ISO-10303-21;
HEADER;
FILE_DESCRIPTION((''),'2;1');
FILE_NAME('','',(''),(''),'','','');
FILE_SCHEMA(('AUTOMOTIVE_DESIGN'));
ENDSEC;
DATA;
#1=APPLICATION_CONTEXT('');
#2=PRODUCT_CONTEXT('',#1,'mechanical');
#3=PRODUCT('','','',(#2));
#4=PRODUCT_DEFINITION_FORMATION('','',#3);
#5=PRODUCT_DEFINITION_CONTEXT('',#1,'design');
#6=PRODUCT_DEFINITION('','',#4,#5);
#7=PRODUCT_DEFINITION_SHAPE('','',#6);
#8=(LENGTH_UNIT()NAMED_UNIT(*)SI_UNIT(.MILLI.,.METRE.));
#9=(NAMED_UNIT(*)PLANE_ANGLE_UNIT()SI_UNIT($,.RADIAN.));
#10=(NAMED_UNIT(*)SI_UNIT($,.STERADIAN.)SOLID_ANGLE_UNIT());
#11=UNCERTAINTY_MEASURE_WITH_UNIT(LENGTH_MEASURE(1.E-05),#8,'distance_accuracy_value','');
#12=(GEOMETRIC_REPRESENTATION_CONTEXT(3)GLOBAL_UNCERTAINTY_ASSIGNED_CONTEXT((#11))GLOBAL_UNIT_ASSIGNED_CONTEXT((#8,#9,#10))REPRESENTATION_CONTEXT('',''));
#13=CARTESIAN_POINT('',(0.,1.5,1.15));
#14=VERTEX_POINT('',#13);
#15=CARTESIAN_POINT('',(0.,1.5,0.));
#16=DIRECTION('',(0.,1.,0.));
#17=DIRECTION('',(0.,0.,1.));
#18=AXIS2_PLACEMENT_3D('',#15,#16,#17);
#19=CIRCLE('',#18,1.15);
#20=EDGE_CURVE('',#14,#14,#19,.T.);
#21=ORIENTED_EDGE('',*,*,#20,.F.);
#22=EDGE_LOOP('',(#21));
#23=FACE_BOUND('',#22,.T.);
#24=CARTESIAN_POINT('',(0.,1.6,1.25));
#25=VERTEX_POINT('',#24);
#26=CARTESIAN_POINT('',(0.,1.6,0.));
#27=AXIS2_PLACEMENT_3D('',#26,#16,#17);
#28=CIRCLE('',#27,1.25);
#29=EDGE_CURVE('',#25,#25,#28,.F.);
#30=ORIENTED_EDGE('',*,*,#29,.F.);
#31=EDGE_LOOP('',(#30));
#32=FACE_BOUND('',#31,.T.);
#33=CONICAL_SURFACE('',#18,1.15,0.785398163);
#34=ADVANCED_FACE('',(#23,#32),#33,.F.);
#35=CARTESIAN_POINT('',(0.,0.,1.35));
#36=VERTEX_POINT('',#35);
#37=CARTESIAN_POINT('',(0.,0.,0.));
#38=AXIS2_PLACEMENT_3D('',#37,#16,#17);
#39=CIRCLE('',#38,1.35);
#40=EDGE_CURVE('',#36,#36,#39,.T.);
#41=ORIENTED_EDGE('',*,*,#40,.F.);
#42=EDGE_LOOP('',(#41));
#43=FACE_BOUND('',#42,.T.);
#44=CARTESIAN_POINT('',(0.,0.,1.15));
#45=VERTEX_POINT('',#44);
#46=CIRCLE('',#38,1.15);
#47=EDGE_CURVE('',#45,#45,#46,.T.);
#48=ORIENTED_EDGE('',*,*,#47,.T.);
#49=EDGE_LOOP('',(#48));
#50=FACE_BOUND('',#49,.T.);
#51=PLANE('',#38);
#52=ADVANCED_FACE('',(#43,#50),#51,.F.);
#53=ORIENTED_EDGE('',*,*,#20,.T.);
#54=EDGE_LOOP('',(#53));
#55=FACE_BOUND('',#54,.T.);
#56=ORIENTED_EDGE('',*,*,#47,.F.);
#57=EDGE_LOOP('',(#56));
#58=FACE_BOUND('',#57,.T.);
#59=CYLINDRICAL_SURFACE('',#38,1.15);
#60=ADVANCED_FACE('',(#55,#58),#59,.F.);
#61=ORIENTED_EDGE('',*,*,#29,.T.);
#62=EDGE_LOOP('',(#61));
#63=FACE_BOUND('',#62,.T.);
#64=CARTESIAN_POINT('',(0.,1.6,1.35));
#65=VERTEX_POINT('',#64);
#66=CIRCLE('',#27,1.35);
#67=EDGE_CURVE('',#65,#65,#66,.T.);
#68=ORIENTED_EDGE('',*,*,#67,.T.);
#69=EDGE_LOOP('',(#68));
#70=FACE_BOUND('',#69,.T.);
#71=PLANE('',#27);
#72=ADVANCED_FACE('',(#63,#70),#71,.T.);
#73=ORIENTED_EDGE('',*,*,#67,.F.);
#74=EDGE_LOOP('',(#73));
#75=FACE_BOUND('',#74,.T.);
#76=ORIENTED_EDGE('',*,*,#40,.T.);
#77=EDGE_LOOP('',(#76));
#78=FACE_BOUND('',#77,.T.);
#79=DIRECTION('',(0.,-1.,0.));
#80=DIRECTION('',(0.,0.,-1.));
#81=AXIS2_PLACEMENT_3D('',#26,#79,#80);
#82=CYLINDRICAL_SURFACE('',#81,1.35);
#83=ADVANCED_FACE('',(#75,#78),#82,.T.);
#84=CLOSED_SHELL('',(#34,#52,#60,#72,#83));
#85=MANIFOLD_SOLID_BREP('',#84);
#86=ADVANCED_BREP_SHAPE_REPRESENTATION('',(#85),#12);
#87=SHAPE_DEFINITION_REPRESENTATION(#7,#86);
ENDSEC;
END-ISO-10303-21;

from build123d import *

# Parameters (mm, degrees)
SKETCH1_R           = 1.35
BOSS_EXTRUDE1_DEPTH = 1.6
SKETCH2_R           = 1.15
CUT_EXTRUDE1_DEPTH  = 2.6
CHAMFER1_SIZE       = 0.1


with BuildPart() as part:
    # Sketch1 → Boss-Extrude1 (new body)
    with BuildSketch(Plane(origin=(0, 0, 0), x_dir=(1, 0, 0), z_dir=(0, 1, 0))):
        Circle(SKETCH1_R)
    extrude(amount=BOSS_EXTRUDE1_DEPTH)

    # Sketch2 → Cut-Extrude1 (cut, through all)
    with BuildSketch(Plane(origin=(0, 1.6, 0), x_dir=(1, 0, 0), z_dir=(0, 1, 0))):
        Circle(SKETCH2_R)
    extrude(amount=-CUT_EXTRUDE1_DEPTH, mode=Mode.SUBTRACT)

    # Chamfer1
    chamfer1_edges = [part.edges().sort_by_distance(p)[0] for p in [
        (-1.15, 1.6, 0),
    ]]
    chamfer(chamfer1_edges, length=CHAMFER1_SIZE)


solid = part.part
